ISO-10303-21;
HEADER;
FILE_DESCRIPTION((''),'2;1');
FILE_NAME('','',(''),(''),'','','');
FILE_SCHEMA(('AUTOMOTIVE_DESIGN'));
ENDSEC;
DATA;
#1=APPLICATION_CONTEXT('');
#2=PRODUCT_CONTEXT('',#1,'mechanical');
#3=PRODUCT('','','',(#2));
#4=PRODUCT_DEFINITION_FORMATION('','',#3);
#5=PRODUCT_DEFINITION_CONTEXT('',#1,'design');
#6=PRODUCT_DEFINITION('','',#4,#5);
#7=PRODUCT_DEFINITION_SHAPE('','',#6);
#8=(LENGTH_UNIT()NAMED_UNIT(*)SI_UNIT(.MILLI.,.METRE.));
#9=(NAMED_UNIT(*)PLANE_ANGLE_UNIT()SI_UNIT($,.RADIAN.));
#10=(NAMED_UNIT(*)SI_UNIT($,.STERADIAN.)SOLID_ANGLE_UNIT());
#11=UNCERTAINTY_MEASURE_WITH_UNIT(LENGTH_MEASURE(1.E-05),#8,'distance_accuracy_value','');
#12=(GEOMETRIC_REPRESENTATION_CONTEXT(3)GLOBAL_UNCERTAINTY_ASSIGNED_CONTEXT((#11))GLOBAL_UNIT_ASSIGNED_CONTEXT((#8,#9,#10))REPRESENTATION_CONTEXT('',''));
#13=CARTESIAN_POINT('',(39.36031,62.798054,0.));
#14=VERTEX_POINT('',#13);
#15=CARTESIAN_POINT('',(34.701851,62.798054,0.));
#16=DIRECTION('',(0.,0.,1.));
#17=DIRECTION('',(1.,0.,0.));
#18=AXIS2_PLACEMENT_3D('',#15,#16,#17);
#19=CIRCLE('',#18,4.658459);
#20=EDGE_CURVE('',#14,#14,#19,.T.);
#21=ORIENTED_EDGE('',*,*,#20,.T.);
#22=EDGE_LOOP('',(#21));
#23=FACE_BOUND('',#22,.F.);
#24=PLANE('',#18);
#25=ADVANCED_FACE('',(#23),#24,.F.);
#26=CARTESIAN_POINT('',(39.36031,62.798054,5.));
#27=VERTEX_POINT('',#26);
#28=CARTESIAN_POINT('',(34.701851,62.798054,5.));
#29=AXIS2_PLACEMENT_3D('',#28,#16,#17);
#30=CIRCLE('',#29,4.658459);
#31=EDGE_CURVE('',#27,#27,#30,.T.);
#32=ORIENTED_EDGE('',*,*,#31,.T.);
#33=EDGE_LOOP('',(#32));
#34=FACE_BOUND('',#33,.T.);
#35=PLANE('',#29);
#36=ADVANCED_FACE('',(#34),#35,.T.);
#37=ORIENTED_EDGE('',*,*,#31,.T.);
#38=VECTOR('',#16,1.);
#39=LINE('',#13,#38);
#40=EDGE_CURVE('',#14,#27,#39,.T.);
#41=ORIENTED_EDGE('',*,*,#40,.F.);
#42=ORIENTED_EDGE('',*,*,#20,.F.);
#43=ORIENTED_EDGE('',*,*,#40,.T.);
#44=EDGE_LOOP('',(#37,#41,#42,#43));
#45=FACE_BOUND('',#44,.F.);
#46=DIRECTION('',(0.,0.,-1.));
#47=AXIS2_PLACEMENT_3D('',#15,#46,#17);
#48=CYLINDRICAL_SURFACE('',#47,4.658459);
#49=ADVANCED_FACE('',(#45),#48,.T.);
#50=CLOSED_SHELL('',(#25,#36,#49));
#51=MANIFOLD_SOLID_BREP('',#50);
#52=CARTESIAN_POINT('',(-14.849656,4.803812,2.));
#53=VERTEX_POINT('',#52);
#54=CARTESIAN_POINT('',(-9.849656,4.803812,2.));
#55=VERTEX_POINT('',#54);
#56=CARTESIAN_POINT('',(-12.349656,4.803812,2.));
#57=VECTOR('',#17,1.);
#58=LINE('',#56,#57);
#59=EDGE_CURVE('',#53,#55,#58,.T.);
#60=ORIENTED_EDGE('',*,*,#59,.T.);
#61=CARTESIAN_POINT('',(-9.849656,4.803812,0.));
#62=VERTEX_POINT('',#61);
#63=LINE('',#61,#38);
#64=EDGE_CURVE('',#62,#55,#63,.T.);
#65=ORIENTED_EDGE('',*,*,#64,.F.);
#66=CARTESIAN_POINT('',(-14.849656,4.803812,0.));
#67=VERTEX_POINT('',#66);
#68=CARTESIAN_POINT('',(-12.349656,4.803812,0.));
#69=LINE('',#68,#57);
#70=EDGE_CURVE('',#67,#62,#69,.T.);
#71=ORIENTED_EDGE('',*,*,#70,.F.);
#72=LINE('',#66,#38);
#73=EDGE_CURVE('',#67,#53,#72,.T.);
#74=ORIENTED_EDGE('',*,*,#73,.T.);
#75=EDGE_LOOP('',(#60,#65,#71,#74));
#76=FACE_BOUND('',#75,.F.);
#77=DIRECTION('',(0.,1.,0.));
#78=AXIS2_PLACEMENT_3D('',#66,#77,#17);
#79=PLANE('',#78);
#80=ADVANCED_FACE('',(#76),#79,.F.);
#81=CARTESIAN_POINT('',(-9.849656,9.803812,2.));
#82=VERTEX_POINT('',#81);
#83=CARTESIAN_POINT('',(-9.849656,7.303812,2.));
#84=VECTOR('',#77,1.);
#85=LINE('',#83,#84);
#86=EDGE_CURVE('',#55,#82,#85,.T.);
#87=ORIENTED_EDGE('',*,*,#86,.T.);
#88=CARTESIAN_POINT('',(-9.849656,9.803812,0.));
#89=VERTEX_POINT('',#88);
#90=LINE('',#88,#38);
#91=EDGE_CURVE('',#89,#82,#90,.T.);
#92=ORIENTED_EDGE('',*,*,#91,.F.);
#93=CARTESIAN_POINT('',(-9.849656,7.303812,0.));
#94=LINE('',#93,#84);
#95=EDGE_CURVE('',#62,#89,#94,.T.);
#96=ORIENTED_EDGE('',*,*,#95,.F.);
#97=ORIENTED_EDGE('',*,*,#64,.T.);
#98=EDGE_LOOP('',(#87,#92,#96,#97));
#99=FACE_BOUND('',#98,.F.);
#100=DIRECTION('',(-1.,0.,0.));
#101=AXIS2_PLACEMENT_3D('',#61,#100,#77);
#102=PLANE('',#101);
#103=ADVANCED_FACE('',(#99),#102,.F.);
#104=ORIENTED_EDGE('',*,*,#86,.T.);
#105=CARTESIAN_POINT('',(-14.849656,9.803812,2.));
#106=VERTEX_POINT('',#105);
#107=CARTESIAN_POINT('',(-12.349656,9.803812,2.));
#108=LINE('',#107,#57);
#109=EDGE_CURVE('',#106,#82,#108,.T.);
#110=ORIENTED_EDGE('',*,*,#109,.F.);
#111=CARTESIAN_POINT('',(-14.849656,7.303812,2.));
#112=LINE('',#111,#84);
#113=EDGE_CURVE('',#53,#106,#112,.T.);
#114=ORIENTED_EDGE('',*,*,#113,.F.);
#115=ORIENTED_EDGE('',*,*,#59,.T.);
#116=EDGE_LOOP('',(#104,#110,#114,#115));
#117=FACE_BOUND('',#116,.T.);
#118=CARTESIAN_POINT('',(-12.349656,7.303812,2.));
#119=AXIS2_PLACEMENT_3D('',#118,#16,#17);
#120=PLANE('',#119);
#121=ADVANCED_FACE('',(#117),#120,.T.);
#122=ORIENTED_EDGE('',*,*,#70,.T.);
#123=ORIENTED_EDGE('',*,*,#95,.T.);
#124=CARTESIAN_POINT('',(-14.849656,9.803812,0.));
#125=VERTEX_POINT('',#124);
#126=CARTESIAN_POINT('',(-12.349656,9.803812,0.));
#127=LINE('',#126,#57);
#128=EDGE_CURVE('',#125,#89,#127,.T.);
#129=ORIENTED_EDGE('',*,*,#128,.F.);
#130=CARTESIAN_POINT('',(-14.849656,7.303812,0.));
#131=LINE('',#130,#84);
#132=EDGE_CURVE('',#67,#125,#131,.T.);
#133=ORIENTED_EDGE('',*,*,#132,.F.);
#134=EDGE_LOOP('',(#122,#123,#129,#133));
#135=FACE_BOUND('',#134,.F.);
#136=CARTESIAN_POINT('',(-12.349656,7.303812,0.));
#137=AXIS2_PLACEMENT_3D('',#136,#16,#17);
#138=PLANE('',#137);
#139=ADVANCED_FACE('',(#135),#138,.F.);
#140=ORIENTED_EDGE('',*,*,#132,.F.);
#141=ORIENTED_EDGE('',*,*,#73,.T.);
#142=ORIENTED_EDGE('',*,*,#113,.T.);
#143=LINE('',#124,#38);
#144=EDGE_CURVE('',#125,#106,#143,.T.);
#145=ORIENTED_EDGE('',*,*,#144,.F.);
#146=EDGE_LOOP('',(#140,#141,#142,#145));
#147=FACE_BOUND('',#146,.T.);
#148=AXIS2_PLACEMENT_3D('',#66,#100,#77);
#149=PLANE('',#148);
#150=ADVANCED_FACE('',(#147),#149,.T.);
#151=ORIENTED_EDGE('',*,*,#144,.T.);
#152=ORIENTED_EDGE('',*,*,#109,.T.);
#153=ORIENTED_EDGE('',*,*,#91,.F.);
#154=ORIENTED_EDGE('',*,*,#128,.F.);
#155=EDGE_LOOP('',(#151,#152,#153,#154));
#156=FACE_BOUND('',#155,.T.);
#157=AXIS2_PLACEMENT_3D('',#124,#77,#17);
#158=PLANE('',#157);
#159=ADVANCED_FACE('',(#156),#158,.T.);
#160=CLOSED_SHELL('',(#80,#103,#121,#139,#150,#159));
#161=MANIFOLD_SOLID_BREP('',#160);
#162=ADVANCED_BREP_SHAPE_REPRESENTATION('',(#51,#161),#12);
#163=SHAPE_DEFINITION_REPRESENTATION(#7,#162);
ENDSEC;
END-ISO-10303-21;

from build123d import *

# Parameters (mm, degrees)
SKETCH004_W  = 5
SKETCH004_H  = 5
PAD002_DEPTH = 2
SKETCH003_R  = 4.658459
PAD001_DEPTH = 5


with BuildPart() as body002:
    # Sketch004 → Pad002 (new body)
    with BuildSketch(Plane.XY):
        with Locations((-12.349656, 7.303812)):
            Rectangle(SKETCH004_W, SKETCH004_H)
    extrude(amount=PAD002_DEPTH)


with BuildPart() as fusion:
    # Sketch003 → Pad001 (new body)
    with BuildSketch(Plane.XY):
        with Locations((34.701851, 62.798054)):
            Circle(SKETCH003_R)
    extrude(amount=PAD001_DEPTH)

    # Fusion: union Body002
    add(body002.part)


solid = fusion.part
